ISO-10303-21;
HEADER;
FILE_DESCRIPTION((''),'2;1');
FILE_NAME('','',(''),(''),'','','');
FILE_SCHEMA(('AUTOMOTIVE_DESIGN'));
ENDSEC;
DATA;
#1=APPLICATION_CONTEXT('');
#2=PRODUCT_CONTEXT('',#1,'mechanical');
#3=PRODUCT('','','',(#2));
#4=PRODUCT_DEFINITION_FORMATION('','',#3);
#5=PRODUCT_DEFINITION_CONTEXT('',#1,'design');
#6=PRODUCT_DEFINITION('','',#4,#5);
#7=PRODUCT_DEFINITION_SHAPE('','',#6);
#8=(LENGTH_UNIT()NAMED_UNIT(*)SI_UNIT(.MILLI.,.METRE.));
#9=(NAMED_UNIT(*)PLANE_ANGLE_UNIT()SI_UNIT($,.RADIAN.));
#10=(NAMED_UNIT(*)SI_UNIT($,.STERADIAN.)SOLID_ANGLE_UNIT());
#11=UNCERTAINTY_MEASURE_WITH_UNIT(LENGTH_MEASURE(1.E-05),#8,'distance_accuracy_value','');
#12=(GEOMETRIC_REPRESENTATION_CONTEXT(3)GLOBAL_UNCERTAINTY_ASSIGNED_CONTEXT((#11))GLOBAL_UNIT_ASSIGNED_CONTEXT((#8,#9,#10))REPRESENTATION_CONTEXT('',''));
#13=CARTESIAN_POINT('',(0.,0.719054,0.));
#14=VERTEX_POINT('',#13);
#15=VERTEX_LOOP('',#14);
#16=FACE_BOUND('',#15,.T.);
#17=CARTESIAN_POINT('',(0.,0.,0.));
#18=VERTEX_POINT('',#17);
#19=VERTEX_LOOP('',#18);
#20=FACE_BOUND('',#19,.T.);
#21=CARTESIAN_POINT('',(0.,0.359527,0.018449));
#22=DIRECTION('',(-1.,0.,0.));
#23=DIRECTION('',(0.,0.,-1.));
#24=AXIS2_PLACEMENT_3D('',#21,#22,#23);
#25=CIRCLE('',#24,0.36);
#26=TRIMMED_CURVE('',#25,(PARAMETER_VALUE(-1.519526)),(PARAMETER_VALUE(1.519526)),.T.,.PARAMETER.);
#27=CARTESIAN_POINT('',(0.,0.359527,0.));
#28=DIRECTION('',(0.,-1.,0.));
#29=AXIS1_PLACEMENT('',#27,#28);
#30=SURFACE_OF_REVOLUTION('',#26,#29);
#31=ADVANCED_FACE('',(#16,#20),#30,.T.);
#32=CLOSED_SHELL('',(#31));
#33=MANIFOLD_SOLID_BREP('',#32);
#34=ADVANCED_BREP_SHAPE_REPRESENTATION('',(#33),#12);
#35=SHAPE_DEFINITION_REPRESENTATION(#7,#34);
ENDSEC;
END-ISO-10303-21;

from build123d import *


with BuildPart() as part:
    # Sketch1 → Revolve1 (revolve)
    with BuildSketch(Plane.XY):
        with BuildLine():
            Line((0, 0), (0, 0.719053876))
            ThreePointArc((0, 0.719053876), (-0.341550591, 0.359526938), (0, 0))
        make_face()
    revolve(axis=Axis((0, 0, 0), (0, 1, 0)))


solid = part.part
